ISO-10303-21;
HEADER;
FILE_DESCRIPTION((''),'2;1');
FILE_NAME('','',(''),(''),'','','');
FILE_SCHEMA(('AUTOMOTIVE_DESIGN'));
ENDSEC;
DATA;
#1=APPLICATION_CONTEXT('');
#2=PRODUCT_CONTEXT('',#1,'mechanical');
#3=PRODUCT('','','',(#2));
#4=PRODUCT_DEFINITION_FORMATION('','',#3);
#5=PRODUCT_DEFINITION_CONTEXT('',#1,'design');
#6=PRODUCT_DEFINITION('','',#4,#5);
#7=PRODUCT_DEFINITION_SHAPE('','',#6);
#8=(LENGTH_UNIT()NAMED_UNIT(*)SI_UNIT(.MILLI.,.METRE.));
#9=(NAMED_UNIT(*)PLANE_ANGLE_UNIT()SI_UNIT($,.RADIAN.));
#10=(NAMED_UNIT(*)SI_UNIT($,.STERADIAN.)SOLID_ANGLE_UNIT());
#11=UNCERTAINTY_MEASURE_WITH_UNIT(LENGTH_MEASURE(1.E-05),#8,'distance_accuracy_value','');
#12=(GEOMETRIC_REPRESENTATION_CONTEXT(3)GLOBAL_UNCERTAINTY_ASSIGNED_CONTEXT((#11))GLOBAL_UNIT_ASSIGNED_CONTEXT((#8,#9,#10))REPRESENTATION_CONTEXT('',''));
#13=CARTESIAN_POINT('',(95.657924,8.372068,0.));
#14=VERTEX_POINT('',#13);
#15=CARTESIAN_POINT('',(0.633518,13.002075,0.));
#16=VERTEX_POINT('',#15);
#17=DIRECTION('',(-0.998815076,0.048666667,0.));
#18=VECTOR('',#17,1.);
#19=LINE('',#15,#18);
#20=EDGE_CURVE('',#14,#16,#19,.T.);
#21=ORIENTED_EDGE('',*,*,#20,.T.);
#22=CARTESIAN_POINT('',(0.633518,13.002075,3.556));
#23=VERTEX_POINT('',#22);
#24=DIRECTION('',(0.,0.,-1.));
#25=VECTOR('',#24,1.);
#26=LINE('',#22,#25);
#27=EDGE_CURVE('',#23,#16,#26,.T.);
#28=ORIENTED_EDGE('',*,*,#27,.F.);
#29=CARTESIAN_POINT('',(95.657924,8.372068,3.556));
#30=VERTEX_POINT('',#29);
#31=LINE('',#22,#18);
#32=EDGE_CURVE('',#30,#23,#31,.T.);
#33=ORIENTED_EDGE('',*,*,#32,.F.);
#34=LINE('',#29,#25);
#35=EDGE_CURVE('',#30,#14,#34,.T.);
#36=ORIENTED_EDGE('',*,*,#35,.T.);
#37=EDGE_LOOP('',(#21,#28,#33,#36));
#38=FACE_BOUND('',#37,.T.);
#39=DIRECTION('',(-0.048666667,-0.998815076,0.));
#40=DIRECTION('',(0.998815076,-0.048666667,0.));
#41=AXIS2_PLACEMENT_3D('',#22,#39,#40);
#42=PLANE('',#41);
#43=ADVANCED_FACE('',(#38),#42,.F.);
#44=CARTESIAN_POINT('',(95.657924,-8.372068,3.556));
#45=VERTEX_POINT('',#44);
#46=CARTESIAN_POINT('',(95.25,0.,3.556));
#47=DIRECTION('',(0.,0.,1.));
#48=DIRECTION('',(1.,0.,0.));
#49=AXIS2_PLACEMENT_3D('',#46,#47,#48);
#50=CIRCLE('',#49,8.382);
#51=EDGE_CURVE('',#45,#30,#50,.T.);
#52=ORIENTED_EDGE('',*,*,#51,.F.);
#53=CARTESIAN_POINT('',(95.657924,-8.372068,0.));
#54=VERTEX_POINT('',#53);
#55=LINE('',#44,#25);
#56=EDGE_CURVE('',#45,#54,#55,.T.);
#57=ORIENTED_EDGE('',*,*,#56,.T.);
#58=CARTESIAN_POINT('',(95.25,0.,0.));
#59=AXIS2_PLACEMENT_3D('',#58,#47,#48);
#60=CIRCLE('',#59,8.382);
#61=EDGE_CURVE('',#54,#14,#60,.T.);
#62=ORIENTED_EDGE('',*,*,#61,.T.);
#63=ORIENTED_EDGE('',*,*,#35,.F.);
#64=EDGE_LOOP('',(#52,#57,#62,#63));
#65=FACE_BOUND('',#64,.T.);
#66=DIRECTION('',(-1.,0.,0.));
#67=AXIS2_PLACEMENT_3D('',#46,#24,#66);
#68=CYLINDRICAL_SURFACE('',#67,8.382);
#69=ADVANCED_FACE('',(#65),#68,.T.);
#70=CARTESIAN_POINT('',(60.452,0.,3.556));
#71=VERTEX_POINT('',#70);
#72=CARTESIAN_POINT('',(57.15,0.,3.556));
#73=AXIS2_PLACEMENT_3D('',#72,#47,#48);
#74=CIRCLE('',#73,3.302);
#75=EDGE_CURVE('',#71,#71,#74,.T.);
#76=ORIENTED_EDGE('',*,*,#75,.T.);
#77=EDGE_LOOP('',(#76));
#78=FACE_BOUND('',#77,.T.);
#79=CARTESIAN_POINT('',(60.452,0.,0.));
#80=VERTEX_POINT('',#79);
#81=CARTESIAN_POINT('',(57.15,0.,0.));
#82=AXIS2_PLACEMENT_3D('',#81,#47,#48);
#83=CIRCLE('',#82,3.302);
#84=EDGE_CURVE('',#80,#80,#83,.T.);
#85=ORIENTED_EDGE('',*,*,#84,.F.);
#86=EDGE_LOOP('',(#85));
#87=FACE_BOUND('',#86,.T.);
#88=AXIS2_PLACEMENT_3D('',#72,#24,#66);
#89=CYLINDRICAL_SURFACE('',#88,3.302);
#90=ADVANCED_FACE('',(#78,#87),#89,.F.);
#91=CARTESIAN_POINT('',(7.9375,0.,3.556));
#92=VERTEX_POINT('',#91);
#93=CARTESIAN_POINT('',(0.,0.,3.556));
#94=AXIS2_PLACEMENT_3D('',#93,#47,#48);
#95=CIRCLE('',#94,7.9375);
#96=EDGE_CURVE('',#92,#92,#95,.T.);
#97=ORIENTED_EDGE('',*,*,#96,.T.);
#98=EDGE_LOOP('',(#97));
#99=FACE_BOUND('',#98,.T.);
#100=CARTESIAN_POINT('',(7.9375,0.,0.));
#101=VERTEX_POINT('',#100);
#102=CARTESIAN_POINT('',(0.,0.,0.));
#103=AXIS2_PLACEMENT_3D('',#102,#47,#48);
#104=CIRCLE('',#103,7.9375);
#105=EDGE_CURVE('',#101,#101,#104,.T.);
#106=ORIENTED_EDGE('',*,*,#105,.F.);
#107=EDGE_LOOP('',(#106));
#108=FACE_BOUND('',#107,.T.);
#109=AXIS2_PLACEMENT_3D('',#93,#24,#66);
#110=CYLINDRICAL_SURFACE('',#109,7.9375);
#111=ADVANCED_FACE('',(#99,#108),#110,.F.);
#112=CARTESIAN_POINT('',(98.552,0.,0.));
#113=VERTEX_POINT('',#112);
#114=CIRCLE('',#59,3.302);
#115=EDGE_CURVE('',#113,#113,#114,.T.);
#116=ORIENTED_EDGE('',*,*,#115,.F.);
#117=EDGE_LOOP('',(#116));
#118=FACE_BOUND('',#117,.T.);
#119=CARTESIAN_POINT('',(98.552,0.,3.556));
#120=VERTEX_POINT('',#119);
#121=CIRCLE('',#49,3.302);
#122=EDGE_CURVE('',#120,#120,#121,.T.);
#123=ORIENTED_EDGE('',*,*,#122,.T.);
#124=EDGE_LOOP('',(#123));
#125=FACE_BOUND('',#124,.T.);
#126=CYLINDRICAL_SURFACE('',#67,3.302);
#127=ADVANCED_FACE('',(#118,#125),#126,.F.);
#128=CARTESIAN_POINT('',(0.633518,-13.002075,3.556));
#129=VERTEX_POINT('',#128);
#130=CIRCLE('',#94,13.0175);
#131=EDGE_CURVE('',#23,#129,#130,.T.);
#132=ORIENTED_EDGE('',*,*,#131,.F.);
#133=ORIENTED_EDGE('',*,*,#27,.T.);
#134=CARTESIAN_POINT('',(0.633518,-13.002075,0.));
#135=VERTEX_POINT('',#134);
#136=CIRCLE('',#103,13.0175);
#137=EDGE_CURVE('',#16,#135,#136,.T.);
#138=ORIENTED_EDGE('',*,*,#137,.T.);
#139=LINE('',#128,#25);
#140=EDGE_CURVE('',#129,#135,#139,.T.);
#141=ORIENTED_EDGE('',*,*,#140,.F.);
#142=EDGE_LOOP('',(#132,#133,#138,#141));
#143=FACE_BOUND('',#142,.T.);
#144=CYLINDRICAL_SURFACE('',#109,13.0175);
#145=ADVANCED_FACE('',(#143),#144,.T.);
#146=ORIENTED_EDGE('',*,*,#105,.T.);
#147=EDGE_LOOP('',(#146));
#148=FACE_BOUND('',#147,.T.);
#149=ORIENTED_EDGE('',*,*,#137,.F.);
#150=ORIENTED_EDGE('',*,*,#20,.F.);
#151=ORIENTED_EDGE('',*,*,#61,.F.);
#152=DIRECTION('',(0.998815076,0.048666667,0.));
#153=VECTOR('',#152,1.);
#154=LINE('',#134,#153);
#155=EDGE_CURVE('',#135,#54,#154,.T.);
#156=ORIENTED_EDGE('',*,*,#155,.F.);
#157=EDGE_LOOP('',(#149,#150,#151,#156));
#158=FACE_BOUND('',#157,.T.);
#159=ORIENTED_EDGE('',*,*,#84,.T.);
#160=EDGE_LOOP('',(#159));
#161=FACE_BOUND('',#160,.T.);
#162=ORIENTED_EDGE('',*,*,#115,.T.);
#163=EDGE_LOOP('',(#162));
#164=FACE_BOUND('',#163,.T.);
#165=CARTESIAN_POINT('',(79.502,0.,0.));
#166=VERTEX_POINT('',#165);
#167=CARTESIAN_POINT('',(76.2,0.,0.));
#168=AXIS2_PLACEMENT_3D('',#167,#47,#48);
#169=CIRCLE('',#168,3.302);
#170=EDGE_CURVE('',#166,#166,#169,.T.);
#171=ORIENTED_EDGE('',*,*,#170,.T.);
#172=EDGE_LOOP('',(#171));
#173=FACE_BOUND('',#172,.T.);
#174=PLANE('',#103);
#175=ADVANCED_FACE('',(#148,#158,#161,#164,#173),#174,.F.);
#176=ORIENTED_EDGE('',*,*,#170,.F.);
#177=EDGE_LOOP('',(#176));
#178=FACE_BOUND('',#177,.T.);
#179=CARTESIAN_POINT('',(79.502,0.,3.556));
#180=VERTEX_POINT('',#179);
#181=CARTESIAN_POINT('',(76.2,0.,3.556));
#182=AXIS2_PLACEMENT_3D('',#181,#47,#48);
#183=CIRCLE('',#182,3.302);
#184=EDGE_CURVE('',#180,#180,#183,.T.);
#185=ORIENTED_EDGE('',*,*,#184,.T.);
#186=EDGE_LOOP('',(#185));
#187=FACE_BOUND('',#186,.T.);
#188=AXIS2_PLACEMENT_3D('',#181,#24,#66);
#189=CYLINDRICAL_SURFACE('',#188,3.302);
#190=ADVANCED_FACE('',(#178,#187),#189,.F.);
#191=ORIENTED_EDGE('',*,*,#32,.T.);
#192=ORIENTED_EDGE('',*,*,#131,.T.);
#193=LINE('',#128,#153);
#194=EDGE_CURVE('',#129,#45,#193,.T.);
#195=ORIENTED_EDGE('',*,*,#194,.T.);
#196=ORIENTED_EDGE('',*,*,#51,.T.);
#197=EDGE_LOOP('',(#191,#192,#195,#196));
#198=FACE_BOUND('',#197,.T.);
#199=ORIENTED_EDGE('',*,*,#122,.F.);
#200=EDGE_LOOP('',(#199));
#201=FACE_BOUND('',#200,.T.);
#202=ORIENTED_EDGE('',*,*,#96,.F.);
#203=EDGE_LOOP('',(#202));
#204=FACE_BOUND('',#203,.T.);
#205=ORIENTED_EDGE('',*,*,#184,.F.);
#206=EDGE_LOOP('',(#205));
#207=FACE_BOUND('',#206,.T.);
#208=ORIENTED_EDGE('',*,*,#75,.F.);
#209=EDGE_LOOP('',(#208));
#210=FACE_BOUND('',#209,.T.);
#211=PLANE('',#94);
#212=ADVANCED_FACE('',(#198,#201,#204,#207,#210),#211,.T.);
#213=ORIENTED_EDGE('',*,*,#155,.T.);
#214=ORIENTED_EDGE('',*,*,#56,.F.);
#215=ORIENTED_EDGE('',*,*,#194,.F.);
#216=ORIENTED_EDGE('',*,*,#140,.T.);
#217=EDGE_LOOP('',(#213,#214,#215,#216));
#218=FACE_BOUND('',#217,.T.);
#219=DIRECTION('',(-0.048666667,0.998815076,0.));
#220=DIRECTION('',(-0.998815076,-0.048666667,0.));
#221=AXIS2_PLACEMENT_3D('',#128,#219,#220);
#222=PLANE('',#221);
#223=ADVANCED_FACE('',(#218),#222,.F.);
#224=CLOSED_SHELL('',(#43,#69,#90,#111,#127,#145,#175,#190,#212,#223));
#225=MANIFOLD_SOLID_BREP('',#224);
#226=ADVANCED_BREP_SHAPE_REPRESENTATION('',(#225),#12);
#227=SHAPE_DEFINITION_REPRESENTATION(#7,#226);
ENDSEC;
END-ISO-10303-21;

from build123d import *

# Parameters (mm, degrees)
SKETCH1_R          = 7.9375
SKETCH1_R_2        = 3.302
EXTRUDE_BODY_DEPTH = 3.556


with BuildPart() as part:
    # Sketch1 → Extrude - Body (new body)
    with BuildSketch(Plane.XY):
        with BuildLine():
            Line((0.633518333, 13.002075249), (95.657924, 8.372067965))
            ThreePointArc((95.657924, 8.372067965), (103.632, 0), (95.657924, -8.372067965))
            Line((95.657924, -8.372067965), (0.633518333, -13.002075249))
            ThreePointArc((0.633518333, -13.002075249), (-13.0175, 0), (0.633518333, 13.002075249))
        make_face()
        Circle(SKETCH1_R, mode=Mode.SUBTRACT)
        with Locations((57.15, 0)):
            Circle(SKETCH1_R_2, mode=Mode.SUBTRACT)
        with Locations((76.2, 0)):
            Circle(SKETCH1_R_2, mode=Mode.SUBTRACT)
        with Locations((95.25, 0)):
            Circle(SKETCH1_R_2, mode=Mode.SUBTRACT)
    extrude(amount=EXTRUDE_BODY_DEPTH)


solid = part.part
